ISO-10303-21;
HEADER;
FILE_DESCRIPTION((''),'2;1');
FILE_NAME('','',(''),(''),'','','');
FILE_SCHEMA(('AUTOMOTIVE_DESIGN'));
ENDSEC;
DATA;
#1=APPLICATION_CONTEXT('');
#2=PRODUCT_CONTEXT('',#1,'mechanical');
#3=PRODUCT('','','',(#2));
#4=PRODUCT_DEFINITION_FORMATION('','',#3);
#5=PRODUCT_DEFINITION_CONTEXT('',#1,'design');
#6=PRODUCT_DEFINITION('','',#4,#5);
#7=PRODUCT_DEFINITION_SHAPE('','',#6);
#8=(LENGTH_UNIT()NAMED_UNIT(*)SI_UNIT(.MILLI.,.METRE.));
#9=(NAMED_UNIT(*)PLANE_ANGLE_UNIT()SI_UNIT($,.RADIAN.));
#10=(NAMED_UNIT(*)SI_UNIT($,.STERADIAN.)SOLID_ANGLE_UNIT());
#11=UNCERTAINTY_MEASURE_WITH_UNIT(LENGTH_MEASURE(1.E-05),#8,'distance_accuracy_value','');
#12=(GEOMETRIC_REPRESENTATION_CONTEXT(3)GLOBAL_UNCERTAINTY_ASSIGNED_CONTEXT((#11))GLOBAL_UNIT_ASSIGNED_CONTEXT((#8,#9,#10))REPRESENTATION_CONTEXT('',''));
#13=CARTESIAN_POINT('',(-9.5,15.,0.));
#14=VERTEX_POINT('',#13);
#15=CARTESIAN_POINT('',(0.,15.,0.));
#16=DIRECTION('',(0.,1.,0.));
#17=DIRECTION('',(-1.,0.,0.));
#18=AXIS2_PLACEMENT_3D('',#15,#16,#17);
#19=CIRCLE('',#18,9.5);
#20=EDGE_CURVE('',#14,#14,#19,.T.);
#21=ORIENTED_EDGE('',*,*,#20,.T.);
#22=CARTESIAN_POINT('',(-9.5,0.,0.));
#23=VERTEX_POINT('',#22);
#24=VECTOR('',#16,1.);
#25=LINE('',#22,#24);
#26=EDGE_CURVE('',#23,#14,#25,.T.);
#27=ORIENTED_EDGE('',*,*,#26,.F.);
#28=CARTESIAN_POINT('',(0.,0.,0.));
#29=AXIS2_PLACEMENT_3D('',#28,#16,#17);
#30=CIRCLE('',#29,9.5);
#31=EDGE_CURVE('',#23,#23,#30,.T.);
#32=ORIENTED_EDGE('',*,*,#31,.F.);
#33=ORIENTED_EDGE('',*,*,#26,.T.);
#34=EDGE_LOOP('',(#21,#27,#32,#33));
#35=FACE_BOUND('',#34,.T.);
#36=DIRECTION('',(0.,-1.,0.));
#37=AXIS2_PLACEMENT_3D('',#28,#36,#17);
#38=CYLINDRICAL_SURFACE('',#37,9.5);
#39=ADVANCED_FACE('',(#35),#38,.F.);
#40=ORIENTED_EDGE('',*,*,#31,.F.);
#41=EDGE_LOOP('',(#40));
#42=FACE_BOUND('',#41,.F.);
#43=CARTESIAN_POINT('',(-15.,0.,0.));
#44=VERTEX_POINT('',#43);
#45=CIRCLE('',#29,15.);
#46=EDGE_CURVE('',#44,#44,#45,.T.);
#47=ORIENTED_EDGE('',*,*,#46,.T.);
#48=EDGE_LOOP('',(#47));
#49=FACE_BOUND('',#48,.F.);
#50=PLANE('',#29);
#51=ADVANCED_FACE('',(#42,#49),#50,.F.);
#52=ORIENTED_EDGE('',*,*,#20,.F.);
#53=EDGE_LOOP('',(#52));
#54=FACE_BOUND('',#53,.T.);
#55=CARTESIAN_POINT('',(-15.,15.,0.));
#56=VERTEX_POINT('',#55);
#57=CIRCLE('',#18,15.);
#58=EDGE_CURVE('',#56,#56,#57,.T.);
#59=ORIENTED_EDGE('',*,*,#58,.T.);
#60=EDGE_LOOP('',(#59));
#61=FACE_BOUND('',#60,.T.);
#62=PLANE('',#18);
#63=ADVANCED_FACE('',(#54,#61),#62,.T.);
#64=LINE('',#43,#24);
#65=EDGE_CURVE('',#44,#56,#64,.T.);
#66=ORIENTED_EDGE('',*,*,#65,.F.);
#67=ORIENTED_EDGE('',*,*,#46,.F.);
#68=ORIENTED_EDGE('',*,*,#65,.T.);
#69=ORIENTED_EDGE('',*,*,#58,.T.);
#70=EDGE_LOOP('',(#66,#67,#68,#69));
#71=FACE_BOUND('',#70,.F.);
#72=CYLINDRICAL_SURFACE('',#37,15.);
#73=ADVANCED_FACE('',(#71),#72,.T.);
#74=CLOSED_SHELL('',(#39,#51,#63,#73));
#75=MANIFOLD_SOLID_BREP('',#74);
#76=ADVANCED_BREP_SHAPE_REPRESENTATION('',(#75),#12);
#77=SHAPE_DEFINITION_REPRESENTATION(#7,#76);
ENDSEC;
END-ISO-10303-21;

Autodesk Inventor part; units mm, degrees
ref_plane "YZ Plane" through (0, 0, 0) normal (1, 0, 0) x (0, 1, 0)
ref_plane "XZ Plane" through (0, 0, 0) normal (0, 1, 0) x (-1, 0, 0)
ref_plane "XY Plane" through (0, 0, 0) normal (0, 0, 1) x (1, 0, 0)
sketch "Эскиз1" plane through (0, 0, 0) normal (0, 1, 0) x (-1, 0, 0)
  circle A0 centre (0, 0) radius 15
  circle A1 centre (0, 0) radius 9.5
  dimension "d0" = 30
  dimension "d1" = 19
extrude "Выдавливание1" add sketch "Эскиз1" along normal blind 15
properties part number "шина"
